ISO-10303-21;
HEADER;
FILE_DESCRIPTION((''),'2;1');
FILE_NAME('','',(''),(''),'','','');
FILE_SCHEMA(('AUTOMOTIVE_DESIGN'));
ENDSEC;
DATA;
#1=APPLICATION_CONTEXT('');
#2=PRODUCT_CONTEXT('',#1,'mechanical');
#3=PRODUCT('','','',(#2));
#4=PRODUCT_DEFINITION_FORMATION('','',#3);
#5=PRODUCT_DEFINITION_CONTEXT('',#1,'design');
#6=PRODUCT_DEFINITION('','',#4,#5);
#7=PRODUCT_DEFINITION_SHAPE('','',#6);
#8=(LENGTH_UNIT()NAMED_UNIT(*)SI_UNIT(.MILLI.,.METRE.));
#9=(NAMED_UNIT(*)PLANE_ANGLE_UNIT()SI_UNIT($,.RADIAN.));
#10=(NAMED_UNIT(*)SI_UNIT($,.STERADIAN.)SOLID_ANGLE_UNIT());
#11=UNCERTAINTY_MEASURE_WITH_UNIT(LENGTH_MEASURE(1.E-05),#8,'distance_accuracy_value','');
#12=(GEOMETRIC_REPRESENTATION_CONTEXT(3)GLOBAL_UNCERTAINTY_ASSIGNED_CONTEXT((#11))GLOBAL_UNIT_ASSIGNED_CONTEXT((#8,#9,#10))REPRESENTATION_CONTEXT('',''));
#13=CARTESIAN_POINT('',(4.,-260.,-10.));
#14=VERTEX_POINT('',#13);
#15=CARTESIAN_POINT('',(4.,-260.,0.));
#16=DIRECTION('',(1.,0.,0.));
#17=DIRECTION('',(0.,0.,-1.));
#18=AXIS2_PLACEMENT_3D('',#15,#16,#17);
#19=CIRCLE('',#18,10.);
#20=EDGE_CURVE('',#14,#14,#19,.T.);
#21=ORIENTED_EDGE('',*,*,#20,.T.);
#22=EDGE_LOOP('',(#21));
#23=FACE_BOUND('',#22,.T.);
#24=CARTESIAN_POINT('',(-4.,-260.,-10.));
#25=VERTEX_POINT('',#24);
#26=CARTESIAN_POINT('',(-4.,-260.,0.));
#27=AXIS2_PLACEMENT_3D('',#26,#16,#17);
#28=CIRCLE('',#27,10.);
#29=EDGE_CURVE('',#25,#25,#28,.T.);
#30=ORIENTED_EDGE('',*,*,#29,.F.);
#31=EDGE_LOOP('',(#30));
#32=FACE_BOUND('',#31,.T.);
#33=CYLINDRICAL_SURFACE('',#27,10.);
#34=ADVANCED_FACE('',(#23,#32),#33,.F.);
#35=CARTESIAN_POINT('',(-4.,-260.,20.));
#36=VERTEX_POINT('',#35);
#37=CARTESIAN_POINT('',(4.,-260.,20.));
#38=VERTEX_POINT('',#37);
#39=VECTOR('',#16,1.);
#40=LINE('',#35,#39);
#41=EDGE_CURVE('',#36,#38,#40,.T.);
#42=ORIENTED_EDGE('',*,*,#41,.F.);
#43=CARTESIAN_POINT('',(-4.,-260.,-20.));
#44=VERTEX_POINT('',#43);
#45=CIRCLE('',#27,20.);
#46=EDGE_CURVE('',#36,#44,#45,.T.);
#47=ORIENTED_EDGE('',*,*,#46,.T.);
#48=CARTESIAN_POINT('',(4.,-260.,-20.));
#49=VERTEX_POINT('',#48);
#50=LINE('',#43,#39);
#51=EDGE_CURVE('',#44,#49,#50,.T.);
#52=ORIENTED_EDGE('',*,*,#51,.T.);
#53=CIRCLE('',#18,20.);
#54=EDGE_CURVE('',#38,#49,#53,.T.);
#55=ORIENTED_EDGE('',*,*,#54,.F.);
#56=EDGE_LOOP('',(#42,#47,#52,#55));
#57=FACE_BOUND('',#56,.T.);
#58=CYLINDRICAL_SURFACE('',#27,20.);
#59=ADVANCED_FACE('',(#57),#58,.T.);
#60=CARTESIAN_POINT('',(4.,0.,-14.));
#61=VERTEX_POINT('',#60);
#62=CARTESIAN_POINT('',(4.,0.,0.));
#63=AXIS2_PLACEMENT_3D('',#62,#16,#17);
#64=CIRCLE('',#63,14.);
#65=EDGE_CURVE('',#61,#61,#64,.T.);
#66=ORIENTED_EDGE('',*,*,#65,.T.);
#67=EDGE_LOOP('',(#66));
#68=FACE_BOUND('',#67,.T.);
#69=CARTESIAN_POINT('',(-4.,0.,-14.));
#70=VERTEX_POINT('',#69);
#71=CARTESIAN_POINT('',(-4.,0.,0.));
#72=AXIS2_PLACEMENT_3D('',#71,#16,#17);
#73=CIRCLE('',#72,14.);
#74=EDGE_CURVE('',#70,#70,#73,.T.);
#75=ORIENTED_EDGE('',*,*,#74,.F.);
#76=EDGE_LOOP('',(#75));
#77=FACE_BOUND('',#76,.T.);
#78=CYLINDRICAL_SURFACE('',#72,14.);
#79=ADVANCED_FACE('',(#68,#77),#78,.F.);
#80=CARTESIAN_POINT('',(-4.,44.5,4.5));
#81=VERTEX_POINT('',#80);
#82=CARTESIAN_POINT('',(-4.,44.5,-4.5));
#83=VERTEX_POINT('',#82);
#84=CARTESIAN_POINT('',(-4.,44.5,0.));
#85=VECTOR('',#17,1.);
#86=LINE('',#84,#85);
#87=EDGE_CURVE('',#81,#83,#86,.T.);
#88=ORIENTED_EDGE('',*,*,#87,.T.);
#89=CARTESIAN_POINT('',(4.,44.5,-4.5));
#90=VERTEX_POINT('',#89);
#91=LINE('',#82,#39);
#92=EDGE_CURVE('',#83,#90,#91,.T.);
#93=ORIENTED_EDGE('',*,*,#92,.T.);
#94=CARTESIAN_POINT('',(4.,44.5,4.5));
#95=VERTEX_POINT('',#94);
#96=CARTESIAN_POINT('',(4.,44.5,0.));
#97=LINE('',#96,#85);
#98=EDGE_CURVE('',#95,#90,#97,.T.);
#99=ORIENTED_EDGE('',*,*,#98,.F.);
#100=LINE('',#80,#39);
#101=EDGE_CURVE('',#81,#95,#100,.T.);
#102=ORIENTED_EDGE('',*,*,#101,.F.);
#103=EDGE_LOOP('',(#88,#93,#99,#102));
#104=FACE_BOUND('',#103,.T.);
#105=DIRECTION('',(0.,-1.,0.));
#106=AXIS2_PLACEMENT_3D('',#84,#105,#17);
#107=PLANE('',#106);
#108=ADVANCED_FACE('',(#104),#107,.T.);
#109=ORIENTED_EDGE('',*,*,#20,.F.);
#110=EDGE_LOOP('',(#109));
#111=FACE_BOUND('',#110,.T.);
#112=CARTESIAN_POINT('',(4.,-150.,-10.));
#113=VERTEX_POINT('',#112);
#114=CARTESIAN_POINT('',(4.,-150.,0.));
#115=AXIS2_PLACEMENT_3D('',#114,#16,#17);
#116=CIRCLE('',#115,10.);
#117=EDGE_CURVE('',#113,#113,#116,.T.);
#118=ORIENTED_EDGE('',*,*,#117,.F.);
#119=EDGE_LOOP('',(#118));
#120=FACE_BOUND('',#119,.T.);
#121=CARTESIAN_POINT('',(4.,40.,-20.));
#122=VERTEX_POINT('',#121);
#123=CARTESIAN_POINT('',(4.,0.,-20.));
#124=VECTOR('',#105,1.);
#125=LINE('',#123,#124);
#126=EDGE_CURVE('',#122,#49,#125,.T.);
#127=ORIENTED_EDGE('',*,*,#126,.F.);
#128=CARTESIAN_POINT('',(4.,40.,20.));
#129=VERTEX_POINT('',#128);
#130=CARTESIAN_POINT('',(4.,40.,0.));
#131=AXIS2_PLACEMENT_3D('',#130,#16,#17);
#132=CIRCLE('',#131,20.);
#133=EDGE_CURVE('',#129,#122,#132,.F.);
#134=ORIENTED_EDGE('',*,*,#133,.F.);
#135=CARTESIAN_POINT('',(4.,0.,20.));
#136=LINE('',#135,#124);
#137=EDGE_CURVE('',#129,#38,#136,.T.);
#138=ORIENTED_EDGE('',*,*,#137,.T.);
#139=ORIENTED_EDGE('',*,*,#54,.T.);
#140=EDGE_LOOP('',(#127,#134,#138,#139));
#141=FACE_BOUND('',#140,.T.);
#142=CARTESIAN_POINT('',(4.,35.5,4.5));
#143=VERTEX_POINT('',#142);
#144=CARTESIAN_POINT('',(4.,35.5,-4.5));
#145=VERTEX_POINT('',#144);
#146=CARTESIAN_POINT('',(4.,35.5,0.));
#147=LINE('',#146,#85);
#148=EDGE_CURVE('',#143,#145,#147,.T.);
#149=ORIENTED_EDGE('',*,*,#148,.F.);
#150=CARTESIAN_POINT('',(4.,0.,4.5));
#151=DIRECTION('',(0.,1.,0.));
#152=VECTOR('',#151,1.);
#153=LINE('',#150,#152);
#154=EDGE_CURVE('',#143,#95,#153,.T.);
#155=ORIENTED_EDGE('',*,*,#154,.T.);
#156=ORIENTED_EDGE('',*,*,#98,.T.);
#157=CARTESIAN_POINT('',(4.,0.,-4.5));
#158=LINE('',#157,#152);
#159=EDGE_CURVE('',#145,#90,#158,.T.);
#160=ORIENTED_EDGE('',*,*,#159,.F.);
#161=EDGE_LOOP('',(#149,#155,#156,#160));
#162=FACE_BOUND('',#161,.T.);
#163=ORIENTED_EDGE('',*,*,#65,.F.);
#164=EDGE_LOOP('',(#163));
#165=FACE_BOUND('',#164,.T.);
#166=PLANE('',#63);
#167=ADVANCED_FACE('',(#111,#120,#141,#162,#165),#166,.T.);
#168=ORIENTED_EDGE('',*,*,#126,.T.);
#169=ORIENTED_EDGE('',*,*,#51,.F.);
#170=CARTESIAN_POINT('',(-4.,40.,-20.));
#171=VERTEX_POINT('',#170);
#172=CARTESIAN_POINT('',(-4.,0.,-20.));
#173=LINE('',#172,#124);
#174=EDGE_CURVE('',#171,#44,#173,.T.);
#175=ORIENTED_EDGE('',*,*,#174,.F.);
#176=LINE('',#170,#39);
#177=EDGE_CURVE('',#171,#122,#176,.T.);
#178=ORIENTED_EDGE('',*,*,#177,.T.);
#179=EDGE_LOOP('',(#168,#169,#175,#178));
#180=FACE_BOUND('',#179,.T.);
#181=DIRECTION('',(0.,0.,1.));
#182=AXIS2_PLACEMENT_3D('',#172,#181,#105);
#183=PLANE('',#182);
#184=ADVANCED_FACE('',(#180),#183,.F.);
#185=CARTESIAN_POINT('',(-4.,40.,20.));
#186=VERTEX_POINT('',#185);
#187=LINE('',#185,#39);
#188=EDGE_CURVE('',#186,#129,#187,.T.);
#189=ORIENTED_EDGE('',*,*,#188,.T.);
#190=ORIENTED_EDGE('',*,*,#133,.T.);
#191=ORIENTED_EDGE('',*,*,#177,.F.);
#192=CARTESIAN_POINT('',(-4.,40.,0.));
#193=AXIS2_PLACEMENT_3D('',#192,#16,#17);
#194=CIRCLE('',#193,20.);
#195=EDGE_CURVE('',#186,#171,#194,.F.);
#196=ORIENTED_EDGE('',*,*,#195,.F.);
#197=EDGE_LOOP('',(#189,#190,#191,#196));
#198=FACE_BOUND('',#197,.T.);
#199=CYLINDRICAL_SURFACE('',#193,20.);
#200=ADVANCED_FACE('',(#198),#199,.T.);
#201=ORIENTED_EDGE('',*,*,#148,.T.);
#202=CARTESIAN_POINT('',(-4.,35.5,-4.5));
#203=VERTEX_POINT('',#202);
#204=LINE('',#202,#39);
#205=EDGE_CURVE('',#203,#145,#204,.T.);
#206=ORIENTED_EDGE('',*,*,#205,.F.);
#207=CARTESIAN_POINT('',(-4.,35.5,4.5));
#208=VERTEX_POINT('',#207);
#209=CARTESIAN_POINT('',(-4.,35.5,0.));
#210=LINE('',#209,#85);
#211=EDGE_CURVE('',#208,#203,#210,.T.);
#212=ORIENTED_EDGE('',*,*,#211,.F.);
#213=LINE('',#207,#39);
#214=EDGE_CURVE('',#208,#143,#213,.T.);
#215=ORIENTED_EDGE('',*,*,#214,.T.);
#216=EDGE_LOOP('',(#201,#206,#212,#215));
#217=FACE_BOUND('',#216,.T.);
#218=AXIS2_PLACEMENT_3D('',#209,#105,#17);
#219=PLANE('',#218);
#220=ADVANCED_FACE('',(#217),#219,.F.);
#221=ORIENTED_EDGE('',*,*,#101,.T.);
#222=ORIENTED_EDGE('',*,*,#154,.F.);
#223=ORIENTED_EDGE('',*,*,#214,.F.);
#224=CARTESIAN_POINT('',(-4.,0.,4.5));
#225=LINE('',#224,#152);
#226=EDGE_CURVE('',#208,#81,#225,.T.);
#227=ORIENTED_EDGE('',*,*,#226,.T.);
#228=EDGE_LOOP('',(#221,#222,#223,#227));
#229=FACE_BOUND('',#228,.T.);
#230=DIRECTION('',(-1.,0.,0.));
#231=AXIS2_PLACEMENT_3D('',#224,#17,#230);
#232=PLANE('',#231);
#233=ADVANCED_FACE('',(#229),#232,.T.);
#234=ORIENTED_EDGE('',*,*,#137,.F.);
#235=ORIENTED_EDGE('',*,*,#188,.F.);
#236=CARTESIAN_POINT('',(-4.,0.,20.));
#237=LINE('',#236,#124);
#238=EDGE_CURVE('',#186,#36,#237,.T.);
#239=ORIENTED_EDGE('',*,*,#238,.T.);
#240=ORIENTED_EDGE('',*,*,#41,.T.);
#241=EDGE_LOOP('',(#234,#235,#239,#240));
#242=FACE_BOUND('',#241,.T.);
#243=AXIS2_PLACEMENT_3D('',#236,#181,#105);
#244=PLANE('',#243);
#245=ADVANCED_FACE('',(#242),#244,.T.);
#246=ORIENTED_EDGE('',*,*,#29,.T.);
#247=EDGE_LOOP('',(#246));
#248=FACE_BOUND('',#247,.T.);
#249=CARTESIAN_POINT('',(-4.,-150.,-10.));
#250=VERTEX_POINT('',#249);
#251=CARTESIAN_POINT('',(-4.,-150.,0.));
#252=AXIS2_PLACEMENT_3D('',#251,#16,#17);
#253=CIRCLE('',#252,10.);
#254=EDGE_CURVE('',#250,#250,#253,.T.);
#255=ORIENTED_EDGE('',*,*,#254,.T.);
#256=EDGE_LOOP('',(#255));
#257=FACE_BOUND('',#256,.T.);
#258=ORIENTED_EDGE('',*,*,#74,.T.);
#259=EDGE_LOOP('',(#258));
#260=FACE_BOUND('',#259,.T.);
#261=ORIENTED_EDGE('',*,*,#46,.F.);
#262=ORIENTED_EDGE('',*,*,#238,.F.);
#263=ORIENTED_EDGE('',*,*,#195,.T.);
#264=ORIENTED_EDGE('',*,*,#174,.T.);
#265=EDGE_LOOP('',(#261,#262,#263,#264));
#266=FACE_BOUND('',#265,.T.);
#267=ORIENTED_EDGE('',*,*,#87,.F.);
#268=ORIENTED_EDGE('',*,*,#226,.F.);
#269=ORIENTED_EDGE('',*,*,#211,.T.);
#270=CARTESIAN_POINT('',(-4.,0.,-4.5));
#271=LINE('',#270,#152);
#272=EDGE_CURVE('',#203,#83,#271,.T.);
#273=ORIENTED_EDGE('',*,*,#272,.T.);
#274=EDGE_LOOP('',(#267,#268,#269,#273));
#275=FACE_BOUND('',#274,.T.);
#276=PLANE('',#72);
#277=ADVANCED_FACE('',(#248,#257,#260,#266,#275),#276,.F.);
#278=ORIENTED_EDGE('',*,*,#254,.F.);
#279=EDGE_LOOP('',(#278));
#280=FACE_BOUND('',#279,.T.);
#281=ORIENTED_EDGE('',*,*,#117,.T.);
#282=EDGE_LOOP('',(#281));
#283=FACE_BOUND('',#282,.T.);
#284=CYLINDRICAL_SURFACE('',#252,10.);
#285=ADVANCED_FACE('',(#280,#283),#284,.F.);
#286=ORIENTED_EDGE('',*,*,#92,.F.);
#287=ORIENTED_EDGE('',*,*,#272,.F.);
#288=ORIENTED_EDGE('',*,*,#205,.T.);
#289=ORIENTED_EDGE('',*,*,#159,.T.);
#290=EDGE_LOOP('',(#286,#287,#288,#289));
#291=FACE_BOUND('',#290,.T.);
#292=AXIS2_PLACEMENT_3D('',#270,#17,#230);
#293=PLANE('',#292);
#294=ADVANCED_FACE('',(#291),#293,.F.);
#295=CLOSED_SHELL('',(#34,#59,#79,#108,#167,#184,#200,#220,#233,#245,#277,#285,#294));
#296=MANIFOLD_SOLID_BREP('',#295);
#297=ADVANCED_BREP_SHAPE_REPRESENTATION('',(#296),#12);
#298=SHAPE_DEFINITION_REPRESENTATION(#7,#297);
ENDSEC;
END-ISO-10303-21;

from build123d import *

# Parameters (mm, degrees)
BOSS_EXTRUDE1_DEPTH      = 4
BOSS_EXTRUDE1_DEPTH_BACK = 4
SKETCH2_R                = 14
SKETCH2_R_2              = 10
SKETCH2_W                = 9
SKETCH2_H                = 9


with BuildPart() as part:
    # Sketch2 → Boss-Extrude1 (new, two sides: drawn at the far end of the back side and taken through both)
    with BuildSketch(Plane(origin=(0, 0, 0), x_dir=(0, 0, -1), z_dir=(1, 0, 0)).offset(-BOSS_EXTRUDE1_DEPTH_BACK)):
        with BuildLine():
            Line((-20, 40), (-20, -260))
            ThreePointArc((-20, -260), (0, -280), (20, -260))
            Line((20, -260), (20, 40))
            ThreePointArc((20, 40), (0, 60), (-20, 40))
        make_face()
        Circle(SKETCH2_R, mode=Mode.SUBTRACT)
        with Locations((0, -150)):
            Circle(SKETCH2_R_2, mode=Mode.SUBTRACT)
        with Locations((0, -260)):
            Circle(SKETCH2_R_2, mode=Mode.SUBTRACT)
        with Locations((0, 40)):
            Rectangle(SKETCH2_W, SKETCH2_H, mode=Mode.SUBTRACT)
    extrude(amount=BOSS_EXTRUDE1_DEPTH + BOSS_EXTRUDE1_DEPTH_BACK)


solid = part.part
